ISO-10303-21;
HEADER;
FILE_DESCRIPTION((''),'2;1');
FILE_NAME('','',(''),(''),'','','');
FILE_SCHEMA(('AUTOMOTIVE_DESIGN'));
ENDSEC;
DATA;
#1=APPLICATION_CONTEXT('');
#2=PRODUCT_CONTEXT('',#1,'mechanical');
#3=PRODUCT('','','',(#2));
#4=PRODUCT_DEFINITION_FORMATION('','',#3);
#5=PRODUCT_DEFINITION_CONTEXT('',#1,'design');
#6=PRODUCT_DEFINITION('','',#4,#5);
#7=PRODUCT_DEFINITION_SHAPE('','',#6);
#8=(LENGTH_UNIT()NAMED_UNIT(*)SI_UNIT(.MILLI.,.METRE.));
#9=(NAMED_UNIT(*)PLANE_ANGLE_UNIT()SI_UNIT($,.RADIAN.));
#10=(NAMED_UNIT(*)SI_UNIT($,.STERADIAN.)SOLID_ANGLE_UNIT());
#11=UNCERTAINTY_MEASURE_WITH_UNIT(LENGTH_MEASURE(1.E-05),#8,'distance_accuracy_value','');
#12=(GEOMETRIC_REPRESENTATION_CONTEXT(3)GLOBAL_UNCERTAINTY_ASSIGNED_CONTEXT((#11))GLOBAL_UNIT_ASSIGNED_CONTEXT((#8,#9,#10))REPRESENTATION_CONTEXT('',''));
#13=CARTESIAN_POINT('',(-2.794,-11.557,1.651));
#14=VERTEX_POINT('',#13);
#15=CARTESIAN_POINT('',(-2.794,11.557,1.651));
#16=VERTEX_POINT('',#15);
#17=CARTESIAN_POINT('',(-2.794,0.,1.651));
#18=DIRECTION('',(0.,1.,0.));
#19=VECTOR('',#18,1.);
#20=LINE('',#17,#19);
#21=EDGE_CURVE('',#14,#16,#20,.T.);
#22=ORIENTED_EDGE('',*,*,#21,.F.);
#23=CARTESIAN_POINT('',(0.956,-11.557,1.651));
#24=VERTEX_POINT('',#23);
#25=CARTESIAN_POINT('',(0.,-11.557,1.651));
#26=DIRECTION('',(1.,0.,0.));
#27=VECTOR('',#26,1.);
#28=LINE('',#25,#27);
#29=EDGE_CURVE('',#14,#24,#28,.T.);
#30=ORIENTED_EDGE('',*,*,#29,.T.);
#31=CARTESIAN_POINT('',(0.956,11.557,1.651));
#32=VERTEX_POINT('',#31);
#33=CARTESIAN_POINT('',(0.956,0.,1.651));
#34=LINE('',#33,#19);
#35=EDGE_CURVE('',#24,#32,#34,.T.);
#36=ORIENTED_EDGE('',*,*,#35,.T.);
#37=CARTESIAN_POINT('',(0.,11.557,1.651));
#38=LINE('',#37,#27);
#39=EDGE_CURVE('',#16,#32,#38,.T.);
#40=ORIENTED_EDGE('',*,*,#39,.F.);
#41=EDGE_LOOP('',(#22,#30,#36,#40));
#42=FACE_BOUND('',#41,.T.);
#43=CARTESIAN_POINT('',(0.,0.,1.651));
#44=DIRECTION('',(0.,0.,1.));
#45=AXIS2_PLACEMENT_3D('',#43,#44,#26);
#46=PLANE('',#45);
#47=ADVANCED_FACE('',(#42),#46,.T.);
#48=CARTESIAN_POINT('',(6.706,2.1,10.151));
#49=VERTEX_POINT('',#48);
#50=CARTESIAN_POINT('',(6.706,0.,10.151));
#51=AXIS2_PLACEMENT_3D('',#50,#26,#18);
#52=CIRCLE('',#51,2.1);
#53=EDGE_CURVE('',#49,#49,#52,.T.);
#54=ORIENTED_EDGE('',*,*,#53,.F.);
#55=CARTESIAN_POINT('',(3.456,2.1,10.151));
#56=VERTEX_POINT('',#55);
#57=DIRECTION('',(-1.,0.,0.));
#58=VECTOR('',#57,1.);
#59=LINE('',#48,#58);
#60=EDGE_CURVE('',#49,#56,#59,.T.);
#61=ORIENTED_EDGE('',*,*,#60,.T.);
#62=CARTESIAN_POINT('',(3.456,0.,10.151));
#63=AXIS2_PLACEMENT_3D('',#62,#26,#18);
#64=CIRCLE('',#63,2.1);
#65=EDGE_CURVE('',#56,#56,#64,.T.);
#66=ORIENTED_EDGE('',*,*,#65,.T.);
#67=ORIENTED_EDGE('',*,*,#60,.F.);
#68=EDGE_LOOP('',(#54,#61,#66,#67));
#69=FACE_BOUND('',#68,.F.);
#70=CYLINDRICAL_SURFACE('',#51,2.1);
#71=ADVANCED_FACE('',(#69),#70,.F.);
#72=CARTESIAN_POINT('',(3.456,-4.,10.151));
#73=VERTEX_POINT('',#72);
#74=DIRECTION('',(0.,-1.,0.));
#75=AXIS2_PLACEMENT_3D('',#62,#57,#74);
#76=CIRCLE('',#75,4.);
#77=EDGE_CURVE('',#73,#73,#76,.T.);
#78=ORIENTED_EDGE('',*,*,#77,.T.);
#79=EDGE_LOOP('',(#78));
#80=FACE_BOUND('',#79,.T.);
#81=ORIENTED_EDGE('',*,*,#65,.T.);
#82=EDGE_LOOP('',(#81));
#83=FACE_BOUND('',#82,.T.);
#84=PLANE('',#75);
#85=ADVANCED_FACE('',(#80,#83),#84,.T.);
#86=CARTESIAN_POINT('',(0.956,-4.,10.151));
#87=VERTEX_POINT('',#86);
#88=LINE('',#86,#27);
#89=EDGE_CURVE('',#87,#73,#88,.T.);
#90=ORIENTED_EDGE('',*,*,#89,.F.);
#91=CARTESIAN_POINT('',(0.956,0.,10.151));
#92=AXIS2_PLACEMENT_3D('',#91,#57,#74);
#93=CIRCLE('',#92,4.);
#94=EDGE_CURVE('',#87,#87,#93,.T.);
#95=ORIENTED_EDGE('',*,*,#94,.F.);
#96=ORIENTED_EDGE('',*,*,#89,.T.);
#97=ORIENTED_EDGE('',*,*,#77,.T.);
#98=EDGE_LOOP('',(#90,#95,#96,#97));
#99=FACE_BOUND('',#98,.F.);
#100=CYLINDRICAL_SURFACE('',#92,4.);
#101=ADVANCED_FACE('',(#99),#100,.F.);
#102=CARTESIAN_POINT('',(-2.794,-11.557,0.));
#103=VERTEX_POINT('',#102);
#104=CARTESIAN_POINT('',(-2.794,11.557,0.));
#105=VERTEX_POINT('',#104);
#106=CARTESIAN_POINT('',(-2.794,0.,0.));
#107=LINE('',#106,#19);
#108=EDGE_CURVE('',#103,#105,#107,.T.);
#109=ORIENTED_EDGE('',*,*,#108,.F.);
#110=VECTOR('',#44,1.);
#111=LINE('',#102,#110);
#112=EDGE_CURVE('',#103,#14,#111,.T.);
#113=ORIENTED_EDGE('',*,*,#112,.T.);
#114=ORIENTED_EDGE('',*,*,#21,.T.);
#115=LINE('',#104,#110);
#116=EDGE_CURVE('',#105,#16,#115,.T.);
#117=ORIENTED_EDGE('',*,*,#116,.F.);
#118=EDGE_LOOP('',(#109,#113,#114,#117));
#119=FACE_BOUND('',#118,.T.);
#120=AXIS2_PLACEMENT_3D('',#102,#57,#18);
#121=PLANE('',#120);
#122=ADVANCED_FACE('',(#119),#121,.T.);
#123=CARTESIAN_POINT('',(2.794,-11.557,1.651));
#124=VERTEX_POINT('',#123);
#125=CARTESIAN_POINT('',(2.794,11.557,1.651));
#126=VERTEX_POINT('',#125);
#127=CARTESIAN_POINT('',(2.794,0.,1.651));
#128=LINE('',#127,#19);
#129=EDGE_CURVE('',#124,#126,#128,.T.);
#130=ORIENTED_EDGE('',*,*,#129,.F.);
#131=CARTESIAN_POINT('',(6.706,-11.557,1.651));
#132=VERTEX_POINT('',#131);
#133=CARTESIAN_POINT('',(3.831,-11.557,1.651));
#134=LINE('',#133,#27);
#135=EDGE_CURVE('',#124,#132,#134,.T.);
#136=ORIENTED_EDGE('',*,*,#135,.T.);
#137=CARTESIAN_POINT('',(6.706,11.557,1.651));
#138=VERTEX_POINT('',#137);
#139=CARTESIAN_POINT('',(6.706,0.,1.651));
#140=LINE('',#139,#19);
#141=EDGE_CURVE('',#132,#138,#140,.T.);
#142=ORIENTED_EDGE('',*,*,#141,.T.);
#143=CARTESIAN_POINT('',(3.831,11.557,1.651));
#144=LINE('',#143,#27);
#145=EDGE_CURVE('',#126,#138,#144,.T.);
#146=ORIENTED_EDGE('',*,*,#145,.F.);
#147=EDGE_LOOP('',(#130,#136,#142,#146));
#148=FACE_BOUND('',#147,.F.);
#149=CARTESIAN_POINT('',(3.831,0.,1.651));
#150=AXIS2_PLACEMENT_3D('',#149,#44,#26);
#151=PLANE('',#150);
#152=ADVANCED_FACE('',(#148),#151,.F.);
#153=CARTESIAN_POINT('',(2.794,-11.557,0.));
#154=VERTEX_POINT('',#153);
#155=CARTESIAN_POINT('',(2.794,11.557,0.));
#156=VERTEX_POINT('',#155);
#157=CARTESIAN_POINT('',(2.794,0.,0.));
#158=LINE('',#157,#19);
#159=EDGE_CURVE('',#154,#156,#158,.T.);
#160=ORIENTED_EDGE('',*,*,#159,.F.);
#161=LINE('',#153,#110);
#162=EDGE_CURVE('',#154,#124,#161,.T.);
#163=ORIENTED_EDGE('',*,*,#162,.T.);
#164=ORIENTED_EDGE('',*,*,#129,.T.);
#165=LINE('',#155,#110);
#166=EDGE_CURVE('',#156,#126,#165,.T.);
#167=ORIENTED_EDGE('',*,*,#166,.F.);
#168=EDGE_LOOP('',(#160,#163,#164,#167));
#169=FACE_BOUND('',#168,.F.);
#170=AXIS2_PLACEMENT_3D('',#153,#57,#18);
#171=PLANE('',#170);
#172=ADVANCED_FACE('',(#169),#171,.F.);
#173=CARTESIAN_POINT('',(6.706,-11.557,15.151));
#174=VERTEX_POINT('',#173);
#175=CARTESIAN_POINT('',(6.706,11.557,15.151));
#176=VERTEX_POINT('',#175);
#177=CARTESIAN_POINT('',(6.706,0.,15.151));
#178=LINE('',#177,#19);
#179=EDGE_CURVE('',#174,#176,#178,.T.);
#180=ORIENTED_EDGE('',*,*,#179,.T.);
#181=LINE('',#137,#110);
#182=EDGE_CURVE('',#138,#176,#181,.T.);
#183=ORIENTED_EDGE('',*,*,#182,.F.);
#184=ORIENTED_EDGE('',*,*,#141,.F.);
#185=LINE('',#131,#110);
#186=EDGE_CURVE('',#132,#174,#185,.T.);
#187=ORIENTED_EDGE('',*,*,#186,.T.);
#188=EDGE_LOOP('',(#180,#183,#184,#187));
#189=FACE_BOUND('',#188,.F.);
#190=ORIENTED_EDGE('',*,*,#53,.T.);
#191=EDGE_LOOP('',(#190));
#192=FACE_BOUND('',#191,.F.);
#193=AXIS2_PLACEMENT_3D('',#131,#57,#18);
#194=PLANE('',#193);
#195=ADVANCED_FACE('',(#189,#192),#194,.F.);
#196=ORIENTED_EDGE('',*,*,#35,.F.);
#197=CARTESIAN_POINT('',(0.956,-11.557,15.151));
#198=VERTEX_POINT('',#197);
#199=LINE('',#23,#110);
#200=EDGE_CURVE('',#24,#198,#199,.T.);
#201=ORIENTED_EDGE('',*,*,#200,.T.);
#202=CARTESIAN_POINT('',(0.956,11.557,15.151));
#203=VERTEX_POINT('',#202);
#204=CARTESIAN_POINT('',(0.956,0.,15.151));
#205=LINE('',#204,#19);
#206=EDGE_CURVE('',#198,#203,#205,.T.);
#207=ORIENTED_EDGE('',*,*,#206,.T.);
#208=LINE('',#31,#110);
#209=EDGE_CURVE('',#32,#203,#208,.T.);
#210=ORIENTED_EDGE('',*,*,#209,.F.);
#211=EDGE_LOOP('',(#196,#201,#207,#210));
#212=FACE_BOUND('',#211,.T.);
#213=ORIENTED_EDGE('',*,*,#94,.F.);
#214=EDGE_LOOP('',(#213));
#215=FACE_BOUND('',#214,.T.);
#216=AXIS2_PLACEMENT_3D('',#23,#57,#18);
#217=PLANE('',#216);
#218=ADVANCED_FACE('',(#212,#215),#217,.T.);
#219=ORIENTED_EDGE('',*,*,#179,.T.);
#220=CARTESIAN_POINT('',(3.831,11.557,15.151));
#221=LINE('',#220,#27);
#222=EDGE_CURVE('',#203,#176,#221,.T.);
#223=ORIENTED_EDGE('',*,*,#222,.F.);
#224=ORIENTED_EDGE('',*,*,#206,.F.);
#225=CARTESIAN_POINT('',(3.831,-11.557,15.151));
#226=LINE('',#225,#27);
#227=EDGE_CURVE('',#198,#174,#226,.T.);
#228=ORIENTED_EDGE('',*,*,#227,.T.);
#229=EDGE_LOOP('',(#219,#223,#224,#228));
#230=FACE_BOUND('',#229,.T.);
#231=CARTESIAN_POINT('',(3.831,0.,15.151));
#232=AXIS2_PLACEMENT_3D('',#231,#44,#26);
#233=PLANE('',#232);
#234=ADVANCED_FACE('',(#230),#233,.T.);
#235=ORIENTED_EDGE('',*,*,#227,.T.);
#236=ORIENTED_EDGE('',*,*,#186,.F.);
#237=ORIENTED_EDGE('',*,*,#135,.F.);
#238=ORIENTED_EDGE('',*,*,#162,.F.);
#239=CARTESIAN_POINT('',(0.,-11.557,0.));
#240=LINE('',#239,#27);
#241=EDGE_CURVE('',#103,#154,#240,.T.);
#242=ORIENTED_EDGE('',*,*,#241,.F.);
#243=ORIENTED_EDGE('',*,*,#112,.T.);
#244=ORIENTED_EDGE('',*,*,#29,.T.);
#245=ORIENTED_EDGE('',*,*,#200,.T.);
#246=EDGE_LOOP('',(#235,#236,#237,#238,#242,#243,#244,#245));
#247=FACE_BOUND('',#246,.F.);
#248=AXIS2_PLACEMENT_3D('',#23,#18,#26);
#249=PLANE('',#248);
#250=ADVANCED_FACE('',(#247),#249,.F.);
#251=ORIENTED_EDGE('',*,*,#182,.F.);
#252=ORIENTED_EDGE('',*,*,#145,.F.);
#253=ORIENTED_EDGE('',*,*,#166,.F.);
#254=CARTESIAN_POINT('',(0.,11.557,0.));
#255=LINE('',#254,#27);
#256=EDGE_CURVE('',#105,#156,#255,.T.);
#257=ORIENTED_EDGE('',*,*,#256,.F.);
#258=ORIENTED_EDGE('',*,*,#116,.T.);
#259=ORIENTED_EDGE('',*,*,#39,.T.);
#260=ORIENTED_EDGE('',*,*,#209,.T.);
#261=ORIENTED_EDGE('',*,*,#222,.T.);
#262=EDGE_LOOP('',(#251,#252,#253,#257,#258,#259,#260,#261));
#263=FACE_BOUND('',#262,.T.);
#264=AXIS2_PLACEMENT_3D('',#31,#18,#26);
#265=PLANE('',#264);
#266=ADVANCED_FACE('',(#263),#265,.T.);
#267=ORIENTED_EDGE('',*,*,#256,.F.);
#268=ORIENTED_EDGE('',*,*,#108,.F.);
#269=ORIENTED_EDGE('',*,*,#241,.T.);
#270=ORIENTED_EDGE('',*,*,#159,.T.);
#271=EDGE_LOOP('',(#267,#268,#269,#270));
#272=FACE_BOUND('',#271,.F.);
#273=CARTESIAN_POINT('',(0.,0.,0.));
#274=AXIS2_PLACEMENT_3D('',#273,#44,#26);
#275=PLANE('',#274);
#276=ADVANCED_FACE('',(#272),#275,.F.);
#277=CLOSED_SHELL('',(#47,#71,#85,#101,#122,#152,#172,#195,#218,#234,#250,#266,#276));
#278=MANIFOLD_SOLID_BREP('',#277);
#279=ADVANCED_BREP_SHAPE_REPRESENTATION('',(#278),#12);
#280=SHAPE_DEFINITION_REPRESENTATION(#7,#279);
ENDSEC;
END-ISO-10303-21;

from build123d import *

# Parameters (mm, degrees)
F0_W     = 5.588
F0_H     = 23.114
F1_DEPTH = 1.651
F2_W     = 5.75
F2_H     = 23.114
F3_DEPTH = 13.5
F4_R     = 2.1
F5_DEPTH = 25.4
F6_R     = 4
F7_DEPTH = 2.5


with BuildPart() as f1:
    # F0 (on Top) → F1 (new body)
    with BuildSketch(Plane.XY):
        Rectangle(F0_W, F0_H)
    extrude(amount=F1_DEPTH)

    # F2 (on face) → F3 (join)
    with BuildSketch(Plane.XY.offset(1.651)):
        with Locations((3.831, 0)):
            Rectangle(F2_W, F2_H)
    extrude(amount=F3_DEPTH)

    # F4 (on face) → F5 (cut)
    with BuildSketch(Plane.YZ.offset(6.706)):
        with Locations((0, 10.151)):
            Circle(F4_R)
    extrude(amount=-F5_DEPTH, mode=Mode.SUBTRACT)

    # F6 (on face) → F7 (cut)
    with BuildSketch(Plane(origin=(0.956, 0, 0), x_dir=(0, -1, 0), z_dir=(-1, 0, 0))):
        with Locations((0, 10.151)):
            Circle(F6_R)
    extrude(amount=-F7_DEPTH, mode=Mode.SUBTRACT)


solid = f1.part
